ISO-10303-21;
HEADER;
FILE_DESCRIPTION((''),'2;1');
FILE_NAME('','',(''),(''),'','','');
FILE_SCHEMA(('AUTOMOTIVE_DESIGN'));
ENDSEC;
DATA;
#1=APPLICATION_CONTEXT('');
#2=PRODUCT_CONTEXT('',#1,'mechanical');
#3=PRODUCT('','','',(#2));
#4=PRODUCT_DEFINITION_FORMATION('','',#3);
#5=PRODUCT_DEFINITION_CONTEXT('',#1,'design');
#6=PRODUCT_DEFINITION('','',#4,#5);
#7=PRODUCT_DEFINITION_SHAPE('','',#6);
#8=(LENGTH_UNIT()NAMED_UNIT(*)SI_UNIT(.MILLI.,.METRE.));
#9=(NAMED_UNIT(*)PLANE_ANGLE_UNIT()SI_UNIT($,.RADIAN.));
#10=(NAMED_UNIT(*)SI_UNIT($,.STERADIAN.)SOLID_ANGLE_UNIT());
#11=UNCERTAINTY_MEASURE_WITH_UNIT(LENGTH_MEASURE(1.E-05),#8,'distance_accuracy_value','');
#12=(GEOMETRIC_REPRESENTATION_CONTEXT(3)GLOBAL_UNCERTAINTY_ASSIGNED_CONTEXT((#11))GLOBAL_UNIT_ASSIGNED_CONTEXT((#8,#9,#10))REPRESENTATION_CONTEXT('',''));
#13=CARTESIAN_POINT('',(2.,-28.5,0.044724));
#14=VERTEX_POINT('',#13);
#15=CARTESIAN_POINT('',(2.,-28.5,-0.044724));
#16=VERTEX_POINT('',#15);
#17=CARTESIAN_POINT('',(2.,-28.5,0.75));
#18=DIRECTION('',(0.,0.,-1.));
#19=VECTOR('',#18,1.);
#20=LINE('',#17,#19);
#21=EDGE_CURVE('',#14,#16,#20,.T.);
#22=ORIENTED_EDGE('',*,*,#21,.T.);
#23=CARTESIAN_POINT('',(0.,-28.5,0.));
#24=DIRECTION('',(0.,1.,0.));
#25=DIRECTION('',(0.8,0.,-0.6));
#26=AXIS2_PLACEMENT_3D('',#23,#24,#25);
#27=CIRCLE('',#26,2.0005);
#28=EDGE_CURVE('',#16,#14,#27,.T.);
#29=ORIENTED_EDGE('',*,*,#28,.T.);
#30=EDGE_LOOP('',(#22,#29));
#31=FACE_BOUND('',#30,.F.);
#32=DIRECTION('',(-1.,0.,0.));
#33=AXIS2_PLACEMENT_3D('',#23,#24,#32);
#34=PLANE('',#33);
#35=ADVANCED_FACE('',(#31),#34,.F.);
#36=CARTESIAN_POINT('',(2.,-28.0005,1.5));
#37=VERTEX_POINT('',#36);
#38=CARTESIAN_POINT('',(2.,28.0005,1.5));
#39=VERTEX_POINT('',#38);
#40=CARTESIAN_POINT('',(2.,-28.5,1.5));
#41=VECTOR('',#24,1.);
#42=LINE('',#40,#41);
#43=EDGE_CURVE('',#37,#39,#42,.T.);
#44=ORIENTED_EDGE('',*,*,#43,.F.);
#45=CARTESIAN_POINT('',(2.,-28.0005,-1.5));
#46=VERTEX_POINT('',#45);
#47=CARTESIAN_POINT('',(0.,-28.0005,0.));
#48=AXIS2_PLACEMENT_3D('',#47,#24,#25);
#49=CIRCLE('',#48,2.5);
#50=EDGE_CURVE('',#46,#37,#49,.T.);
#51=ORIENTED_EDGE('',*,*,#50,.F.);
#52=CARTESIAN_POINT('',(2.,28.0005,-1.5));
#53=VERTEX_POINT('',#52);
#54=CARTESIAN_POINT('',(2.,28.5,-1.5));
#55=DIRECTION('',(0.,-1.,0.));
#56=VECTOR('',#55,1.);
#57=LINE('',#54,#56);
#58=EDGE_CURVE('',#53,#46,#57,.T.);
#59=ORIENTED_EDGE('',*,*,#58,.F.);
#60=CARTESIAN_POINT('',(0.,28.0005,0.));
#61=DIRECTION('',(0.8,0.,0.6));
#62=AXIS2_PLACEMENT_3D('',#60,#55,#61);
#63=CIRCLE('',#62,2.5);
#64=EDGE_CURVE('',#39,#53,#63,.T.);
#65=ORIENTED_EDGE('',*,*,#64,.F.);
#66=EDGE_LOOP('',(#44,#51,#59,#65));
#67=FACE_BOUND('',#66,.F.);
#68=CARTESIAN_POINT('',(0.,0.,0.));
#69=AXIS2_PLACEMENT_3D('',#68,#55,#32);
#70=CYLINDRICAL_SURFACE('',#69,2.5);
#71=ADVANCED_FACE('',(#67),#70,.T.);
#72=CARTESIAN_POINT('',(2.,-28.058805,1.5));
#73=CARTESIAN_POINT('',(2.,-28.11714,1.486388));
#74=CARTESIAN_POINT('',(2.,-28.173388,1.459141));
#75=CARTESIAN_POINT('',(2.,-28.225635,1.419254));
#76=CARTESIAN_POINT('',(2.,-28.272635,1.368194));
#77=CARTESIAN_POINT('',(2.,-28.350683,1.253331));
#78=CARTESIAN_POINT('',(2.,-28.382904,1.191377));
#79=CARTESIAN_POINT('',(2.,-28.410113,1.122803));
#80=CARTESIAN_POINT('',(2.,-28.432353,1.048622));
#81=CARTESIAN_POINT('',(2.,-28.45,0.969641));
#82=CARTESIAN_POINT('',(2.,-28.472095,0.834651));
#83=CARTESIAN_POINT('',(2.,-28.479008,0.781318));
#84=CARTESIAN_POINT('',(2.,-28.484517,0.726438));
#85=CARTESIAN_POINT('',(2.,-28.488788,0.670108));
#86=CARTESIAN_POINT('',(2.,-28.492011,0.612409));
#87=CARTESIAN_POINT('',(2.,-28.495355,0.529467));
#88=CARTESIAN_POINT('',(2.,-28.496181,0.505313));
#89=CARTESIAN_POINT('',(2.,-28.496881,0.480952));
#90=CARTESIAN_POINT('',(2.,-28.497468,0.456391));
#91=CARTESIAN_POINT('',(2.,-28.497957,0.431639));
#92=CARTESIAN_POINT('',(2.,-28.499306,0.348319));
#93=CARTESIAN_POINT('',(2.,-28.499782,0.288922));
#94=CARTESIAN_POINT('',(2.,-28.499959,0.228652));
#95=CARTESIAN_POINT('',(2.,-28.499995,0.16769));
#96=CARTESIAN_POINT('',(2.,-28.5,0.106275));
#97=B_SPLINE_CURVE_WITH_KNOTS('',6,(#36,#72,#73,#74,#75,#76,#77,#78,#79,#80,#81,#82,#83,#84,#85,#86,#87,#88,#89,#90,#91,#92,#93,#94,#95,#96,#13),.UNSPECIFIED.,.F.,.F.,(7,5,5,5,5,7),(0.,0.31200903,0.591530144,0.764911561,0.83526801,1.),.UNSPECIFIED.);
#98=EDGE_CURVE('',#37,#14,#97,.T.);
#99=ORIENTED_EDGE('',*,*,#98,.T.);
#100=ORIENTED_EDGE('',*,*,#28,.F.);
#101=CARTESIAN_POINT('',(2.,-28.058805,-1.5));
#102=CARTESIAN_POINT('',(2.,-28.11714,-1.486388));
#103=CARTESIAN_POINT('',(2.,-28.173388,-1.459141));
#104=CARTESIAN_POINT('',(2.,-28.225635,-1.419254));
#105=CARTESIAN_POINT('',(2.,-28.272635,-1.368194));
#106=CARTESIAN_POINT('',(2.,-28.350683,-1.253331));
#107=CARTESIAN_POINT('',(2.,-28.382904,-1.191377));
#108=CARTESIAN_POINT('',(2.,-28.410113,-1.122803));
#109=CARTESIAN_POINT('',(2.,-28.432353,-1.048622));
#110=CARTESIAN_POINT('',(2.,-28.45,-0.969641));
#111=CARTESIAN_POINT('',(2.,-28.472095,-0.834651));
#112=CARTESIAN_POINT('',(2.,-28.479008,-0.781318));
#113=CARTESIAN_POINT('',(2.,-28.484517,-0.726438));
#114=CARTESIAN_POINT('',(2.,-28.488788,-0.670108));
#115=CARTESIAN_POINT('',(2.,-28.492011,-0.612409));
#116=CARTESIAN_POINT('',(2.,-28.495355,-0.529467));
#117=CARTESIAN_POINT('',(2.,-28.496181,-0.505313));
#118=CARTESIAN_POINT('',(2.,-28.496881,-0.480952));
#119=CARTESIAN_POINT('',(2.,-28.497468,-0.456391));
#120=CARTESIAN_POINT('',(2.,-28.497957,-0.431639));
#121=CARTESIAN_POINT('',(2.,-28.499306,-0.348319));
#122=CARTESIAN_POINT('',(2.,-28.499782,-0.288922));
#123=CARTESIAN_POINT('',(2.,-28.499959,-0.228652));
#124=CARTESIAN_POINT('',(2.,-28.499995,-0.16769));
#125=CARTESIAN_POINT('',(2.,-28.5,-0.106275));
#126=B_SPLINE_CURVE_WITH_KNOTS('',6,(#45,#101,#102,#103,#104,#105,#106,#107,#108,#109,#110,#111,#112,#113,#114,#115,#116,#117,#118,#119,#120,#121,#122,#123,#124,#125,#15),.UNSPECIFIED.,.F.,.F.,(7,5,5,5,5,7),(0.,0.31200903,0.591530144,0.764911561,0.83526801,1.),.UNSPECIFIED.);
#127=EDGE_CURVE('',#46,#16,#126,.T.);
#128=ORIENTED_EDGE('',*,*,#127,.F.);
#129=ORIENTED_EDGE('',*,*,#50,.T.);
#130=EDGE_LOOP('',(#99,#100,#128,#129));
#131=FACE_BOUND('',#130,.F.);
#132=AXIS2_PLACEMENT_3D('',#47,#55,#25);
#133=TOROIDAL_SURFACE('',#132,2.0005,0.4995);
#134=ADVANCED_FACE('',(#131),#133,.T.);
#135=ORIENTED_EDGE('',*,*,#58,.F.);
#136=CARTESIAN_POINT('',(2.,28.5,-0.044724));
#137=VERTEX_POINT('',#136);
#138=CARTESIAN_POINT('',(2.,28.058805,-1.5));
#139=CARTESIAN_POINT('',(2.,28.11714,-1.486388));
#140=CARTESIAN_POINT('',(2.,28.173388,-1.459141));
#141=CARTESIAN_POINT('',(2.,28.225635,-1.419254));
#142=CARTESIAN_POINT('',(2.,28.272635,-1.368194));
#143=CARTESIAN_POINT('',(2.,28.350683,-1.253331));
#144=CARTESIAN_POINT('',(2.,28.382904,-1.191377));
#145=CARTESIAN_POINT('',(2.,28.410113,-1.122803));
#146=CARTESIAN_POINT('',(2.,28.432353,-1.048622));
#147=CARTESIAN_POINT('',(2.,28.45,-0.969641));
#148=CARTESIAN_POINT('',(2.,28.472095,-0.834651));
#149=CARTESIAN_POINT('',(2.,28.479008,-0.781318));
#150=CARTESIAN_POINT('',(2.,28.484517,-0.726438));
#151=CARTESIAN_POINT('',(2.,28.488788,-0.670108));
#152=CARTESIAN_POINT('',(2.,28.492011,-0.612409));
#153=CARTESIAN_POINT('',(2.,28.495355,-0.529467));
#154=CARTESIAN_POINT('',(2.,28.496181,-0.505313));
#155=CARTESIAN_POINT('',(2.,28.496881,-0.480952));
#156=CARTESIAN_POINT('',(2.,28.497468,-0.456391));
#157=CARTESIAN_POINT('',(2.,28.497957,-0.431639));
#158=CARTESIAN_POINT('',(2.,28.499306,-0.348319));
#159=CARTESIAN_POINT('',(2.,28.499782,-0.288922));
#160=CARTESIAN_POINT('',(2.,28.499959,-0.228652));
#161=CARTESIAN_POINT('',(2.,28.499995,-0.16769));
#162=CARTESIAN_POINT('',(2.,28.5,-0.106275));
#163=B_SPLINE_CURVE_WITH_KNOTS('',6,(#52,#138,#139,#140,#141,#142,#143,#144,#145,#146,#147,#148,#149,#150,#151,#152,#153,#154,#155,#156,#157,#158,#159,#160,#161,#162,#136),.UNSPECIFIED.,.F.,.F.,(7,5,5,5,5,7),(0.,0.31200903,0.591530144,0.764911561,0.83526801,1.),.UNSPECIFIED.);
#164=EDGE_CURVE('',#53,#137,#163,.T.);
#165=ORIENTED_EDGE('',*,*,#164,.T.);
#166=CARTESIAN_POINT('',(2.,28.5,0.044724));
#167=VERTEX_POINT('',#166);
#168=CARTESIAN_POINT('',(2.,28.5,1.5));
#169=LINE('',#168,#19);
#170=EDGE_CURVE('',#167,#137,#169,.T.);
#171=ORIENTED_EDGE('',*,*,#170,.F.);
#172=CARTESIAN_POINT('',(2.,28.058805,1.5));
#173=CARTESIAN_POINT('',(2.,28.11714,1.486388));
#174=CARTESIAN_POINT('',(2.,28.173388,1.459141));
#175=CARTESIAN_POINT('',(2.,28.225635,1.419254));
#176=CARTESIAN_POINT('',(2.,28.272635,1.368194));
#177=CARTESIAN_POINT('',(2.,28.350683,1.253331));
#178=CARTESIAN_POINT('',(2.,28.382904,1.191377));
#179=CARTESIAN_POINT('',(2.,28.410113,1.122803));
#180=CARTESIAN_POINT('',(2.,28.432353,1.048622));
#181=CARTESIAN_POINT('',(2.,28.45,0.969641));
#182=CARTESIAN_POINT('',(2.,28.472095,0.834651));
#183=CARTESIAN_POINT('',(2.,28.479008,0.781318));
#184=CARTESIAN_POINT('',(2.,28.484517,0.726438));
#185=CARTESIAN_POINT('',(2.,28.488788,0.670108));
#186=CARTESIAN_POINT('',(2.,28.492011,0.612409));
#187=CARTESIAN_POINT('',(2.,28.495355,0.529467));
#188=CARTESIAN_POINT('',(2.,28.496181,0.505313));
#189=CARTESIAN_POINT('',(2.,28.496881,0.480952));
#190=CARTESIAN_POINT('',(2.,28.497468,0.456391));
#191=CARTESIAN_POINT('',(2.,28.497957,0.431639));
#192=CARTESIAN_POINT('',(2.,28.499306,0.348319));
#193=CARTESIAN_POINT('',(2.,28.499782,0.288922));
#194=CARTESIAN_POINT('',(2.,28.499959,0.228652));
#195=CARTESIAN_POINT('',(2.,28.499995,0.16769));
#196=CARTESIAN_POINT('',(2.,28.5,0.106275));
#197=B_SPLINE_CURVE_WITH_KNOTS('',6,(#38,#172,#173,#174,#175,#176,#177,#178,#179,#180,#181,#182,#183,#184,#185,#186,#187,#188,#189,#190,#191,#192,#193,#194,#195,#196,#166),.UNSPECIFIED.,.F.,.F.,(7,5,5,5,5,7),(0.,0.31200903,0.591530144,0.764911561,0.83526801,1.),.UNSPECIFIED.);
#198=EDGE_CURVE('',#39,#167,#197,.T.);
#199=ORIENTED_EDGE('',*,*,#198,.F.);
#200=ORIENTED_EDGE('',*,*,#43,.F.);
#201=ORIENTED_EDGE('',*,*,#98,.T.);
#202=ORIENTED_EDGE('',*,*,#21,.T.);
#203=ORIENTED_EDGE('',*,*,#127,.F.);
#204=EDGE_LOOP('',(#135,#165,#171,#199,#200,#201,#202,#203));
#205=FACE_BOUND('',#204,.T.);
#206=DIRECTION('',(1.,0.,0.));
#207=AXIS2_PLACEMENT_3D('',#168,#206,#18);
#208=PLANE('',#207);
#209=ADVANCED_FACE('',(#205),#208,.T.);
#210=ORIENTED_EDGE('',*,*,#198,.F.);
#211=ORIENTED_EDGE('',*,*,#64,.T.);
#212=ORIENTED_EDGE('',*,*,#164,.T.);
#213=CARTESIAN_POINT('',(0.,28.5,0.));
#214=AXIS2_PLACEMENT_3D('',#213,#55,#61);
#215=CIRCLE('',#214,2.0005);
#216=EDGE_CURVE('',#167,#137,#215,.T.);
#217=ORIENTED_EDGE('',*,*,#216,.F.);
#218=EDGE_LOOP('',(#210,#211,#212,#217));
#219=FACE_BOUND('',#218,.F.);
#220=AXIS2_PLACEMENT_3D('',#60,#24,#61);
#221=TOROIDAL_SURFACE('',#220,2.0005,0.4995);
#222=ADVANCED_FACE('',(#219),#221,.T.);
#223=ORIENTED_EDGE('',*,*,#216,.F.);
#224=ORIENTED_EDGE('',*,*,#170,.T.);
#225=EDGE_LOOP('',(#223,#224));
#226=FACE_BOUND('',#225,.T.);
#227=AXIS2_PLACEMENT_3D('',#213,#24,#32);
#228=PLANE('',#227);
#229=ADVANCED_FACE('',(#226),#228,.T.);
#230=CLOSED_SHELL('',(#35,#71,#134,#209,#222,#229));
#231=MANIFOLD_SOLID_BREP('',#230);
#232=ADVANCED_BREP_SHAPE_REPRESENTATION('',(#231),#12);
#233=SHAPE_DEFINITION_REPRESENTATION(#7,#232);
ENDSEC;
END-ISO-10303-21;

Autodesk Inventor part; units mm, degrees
ref_plane "YZ Plane" through (0, 0, 0) normal (1, 0, 0) x (0, 1, 0)
ref_plane "XZ Plane" through (0, 0, 0) normal (0, 1, 0) x (-1, 0, 0)
ref_plane "XY Plane" through (0, 0, 0) normal (0, 0, 1) x (1, 0, 0)
sketch "Sketch1" plane through (0, 0, 0) normal (0, 1, 0) x (-1, 0, 0)
  circle A0 centre (0, 0) radius 2.5
  dimension "d0" = 5
extrude "Extrusion1" add sketch "Sketch1" along normal mid plane 57
sketch "Sketch2" plane through (0, 28.5, 0) normal (0, 1, 0) x (1, 0, 0)
  circle A0 centre (0, 0) radius 2.5 projected
  line L0 (-2.5, 0) -> (2, 0) construction
  line L1 (2, -1.5) -> (2, 1.5)
  dimension "d3" = 4.5
extrude "Extrusion2" cut sketch "Sketch2" against normal through all contours A0 L1 picked at (2.0912, -0.3466)
fillet "Fillet1" radius 0.5 2 edges at (-2.5, 28.5, 0) (-2.5, -28.5, 0)
properties part number "Perno 5 mm"
